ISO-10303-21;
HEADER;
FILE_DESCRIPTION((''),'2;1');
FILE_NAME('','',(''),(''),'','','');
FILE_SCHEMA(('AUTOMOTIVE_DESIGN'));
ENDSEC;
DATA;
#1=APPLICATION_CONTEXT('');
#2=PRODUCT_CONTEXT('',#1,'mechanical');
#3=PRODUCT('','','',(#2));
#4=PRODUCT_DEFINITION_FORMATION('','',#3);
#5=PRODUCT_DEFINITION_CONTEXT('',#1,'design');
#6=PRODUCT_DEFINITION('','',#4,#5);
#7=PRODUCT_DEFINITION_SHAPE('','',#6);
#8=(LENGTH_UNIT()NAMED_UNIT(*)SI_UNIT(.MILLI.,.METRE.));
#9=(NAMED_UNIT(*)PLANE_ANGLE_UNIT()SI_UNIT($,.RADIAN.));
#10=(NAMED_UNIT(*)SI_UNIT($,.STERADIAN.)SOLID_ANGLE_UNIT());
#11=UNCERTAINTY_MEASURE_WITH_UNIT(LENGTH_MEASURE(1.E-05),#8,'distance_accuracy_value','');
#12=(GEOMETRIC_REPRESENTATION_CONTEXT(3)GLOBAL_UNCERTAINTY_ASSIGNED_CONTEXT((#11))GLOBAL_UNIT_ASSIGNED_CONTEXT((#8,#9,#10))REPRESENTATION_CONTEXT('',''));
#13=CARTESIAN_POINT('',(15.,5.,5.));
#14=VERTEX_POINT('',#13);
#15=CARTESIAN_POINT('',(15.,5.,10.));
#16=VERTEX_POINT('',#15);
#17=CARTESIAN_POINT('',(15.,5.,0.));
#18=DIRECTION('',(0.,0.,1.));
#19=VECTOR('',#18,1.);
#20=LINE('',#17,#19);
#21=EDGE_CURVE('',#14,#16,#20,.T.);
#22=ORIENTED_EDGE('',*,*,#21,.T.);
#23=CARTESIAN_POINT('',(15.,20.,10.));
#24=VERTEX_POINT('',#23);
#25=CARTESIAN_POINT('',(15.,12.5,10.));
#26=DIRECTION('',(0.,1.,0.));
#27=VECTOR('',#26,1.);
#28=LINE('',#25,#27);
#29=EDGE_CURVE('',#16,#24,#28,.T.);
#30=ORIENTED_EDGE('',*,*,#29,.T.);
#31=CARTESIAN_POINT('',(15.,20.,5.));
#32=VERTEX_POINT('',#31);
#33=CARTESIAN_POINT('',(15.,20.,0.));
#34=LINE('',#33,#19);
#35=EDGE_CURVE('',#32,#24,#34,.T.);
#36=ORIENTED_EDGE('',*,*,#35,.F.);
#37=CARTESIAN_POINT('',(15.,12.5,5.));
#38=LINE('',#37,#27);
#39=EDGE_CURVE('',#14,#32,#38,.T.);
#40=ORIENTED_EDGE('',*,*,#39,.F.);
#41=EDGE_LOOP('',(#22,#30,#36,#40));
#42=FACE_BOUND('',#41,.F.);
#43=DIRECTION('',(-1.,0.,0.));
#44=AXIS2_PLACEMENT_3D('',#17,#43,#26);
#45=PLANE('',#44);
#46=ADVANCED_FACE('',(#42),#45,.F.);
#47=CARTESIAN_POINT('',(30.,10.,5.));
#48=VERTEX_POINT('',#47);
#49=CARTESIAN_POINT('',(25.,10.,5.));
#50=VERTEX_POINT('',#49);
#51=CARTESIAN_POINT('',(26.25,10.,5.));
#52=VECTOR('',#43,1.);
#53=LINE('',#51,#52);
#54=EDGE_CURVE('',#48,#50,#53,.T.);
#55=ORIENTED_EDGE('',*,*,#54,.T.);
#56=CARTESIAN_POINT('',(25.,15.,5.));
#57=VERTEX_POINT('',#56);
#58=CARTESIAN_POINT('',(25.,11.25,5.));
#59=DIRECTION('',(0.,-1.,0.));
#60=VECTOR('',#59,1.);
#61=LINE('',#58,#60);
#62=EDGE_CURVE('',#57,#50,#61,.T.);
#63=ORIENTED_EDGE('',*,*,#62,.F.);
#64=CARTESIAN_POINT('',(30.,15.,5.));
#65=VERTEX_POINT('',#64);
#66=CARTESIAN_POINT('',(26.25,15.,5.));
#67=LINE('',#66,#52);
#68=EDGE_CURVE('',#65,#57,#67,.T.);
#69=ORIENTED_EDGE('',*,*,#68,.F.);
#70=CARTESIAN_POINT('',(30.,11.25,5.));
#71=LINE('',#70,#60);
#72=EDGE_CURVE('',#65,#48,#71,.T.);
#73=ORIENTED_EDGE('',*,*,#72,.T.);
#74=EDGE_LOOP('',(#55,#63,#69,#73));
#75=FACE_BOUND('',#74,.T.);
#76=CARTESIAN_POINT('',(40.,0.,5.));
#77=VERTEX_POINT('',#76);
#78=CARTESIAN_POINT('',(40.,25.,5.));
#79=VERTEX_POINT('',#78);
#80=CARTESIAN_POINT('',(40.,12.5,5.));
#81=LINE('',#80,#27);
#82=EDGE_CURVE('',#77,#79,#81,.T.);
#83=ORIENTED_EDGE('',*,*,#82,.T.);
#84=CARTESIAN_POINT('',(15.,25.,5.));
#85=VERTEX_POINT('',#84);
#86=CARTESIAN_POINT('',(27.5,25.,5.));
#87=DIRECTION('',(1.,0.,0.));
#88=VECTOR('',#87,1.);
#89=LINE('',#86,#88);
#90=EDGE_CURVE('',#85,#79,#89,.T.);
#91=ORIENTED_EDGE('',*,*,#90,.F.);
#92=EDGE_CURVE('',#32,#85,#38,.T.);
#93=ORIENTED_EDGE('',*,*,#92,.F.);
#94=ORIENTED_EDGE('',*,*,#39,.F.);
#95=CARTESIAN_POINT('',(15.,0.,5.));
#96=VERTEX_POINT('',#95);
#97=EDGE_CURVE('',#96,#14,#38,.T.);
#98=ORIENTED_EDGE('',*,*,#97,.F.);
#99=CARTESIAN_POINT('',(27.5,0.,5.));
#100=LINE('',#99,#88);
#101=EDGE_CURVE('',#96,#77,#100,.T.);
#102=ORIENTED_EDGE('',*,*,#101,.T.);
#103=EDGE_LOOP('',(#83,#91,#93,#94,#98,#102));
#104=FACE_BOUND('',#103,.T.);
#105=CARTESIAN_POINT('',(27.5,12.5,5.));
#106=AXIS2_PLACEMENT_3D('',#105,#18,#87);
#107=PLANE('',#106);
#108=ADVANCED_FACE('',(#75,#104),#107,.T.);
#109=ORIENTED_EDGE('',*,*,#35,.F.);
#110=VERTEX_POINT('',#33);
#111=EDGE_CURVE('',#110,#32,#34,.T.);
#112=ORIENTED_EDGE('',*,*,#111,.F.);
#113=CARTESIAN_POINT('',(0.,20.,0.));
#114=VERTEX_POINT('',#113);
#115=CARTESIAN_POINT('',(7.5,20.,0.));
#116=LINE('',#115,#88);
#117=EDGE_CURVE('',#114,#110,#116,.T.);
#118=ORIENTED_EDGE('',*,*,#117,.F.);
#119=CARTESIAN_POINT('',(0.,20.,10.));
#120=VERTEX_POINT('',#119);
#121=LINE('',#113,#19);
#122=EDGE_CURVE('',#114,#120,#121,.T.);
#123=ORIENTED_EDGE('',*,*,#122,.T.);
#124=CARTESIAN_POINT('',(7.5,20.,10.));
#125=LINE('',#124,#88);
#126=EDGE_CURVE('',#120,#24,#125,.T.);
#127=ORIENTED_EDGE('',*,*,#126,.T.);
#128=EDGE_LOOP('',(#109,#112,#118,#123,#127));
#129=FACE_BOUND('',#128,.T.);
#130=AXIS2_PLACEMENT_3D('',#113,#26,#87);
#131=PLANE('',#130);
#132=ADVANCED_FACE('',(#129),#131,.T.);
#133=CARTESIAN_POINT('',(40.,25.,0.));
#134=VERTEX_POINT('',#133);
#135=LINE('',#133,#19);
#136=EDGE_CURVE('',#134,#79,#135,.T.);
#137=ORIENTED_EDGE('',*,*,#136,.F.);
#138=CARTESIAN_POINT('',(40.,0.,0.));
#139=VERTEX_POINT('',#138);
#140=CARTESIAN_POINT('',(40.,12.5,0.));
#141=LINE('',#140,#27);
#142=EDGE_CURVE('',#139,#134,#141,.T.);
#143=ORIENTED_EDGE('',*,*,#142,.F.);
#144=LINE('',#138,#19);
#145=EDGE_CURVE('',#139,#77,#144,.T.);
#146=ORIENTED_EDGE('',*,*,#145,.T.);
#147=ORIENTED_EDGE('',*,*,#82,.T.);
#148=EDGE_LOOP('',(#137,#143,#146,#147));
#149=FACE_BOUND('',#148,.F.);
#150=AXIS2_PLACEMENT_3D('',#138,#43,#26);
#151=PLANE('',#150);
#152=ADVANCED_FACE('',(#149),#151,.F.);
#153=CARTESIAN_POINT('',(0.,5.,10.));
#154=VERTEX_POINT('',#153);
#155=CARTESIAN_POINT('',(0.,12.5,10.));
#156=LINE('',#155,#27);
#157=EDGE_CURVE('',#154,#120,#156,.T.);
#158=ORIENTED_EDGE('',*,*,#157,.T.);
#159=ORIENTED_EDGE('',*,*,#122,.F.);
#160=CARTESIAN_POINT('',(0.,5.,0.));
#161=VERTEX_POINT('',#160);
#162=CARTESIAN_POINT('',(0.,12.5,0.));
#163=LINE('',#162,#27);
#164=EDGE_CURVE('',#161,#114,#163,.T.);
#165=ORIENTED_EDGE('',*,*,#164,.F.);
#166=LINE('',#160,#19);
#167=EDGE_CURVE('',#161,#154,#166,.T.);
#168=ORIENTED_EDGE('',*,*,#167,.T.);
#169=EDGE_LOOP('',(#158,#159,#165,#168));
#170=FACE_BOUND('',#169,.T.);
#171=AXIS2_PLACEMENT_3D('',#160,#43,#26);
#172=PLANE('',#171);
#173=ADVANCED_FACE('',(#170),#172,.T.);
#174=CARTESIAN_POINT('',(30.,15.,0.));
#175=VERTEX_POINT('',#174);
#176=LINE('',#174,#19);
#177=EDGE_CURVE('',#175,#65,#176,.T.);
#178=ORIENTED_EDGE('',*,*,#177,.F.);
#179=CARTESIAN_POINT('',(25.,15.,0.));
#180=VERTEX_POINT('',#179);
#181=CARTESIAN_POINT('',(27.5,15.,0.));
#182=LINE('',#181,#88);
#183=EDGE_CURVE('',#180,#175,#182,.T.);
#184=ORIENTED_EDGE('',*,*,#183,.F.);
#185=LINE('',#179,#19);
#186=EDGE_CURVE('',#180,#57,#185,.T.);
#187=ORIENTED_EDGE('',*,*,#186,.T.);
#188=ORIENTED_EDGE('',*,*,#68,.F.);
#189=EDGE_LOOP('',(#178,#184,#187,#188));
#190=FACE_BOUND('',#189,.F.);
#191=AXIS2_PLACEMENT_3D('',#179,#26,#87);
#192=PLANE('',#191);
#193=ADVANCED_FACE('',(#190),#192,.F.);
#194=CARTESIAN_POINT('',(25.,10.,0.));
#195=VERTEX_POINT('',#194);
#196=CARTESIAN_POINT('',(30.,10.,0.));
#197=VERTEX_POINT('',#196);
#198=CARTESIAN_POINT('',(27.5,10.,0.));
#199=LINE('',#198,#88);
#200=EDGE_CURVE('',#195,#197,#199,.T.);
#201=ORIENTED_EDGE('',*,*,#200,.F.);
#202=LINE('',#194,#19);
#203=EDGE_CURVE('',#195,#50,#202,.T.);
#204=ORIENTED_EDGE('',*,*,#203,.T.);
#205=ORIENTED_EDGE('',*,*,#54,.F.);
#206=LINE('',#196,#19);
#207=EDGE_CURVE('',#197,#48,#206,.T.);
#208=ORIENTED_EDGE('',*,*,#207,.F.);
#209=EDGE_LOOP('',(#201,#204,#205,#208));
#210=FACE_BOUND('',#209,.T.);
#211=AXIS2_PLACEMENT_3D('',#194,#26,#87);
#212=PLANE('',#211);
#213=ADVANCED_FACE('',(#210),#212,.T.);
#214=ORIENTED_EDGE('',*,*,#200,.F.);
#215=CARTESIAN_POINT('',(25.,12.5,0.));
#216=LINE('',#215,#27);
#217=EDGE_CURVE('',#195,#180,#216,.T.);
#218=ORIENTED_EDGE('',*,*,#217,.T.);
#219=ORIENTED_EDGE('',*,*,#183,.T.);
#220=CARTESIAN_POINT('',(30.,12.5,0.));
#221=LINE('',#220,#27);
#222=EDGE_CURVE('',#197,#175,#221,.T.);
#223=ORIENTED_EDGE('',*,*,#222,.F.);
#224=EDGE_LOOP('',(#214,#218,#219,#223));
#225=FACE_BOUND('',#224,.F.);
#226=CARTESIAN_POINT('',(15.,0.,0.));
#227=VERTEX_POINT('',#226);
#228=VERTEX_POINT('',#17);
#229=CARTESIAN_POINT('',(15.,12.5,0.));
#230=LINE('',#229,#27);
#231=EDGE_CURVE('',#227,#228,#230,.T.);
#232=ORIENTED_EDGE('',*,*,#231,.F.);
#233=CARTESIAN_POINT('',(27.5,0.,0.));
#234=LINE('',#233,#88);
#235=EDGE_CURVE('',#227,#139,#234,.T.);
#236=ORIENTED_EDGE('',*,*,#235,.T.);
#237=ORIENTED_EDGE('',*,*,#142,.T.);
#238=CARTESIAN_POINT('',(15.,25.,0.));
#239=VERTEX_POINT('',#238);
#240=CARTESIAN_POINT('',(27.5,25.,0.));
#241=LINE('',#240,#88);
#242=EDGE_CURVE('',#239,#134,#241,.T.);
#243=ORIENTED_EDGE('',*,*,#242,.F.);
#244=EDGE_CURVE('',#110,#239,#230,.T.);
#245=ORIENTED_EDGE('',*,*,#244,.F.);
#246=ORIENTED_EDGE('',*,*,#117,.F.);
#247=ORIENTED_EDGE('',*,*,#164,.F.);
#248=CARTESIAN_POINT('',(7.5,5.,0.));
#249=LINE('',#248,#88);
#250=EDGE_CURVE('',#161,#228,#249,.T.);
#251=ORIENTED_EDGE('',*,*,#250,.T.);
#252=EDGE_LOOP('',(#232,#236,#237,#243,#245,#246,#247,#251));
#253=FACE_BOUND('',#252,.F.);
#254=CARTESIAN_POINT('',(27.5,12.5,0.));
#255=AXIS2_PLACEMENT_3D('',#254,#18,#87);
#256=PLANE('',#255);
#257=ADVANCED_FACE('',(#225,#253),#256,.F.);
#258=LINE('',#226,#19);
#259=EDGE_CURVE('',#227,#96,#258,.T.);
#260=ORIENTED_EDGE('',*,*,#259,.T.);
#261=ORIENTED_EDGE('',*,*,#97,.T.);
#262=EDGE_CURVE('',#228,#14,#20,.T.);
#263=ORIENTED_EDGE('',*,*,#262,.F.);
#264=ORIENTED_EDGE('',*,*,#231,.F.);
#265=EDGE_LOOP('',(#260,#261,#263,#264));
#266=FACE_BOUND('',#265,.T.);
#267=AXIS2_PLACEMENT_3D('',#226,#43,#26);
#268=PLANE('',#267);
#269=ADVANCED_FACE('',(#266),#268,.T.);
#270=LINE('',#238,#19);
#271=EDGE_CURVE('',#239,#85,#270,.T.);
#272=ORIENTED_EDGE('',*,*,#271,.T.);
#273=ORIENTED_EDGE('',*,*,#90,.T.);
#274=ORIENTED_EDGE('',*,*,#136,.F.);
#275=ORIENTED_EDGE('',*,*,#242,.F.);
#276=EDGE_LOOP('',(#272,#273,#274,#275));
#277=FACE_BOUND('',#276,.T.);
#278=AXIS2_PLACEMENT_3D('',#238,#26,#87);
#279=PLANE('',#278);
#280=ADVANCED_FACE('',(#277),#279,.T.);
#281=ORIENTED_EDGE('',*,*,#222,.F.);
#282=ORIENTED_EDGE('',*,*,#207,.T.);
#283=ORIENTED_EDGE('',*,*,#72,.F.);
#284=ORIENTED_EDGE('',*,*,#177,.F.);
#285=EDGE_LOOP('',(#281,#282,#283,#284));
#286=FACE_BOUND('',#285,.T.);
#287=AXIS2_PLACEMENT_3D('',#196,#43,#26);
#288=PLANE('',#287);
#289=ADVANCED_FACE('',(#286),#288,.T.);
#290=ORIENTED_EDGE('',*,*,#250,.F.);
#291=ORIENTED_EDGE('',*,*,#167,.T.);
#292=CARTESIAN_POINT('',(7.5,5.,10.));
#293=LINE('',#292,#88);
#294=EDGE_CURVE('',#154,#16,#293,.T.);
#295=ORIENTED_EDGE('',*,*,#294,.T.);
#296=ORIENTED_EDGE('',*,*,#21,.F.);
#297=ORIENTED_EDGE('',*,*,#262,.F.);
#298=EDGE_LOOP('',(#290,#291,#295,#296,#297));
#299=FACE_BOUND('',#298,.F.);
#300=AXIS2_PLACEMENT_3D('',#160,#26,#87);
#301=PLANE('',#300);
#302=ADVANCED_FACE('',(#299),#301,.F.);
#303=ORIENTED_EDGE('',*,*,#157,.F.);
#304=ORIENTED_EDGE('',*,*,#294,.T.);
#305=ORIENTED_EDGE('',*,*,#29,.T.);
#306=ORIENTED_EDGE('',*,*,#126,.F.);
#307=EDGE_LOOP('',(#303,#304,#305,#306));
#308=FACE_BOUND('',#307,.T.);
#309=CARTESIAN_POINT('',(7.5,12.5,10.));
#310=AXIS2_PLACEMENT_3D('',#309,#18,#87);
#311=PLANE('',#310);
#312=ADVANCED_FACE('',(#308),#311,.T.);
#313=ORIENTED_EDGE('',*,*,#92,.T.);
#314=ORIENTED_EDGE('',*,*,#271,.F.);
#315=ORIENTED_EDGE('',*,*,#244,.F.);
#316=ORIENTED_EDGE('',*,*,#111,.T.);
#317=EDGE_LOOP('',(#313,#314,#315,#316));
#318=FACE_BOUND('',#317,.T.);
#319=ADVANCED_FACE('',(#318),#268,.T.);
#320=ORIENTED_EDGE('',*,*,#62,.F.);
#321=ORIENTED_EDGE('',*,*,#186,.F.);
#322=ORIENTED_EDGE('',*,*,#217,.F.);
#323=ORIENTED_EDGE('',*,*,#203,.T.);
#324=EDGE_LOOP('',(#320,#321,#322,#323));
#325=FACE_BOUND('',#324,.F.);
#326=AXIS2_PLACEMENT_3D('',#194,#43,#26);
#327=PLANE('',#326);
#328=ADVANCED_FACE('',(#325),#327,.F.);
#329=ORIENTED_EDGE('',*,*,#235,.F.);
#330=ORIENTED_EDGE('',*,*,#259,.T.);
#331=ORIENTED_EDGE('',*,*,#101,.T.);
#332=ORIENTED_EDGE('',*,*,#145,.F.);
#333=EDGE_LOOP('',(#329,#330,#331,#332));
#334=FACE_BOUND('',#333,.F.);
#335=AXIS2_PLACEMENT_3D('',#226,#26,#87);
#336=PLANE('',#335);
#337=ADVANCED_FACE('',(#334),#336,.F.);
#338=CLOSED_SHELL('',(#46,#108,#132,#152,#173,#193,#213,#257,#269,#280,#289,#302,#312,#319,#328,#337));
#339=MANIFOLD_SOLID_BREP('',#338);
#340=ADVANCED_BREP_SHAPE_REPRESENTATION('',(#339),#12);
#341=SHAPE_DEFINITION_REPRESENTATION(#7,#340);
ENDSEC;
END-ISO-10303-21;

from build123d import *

# Parameters (mm, degrees)
BOX002_W     = 5
BOX002_H     = 5
BOX002_DEPTH = 10
BOX001_W     = 25
BOX001_H     = 25
BOX001_DEPTH = 5
BOX_W        = 15
BOX_H        = 15
BOX_DEPTH    = 10


with BuildPart() as cube002:
    # Box002 → Box002 (new body)
    with BuildSketch(Plane(origin=(25, 10, 0), x_dir=(1, 0, 0), z_dir=(0, 0, 1))):
        with Locations((2.5, 2.5)):
            Rectangle(BOX002_W, BOX002_H)
    extrude(amount=BOX002_DEPTH)


with BuildPart() as cut:
    # Box001 → Box001 (new body)
    with BuildSketch(Plane(origin=(15, 0, 0), x_dir=(1, 0, 0), z_dir=(0, 0, 1))):
        with Locations((12.5, 12.5)):
            Rectangle(BOX001_W, BOX001_H)
    extrude(amount=BOX001_DEPTH)

    # Cut: cut Cube002
    add(cube002.part, mode=Mode.SUBTRACT)


with BuildPart() as fusion:
    # Box → Box (new body)
    with BuildSketch(Plane(origin=(0, 5, 0), x_dir=(1, 0, 0), z_dir=(0, 0, 1))):
        with Locations((7.5, 7.5)):
            Rectangle(BOX_W, BOX_H)
    extrude(amount=BOX_DEPTH)

    # Fusion: union Cut
    add(cut.part)


solid = fusion.part
